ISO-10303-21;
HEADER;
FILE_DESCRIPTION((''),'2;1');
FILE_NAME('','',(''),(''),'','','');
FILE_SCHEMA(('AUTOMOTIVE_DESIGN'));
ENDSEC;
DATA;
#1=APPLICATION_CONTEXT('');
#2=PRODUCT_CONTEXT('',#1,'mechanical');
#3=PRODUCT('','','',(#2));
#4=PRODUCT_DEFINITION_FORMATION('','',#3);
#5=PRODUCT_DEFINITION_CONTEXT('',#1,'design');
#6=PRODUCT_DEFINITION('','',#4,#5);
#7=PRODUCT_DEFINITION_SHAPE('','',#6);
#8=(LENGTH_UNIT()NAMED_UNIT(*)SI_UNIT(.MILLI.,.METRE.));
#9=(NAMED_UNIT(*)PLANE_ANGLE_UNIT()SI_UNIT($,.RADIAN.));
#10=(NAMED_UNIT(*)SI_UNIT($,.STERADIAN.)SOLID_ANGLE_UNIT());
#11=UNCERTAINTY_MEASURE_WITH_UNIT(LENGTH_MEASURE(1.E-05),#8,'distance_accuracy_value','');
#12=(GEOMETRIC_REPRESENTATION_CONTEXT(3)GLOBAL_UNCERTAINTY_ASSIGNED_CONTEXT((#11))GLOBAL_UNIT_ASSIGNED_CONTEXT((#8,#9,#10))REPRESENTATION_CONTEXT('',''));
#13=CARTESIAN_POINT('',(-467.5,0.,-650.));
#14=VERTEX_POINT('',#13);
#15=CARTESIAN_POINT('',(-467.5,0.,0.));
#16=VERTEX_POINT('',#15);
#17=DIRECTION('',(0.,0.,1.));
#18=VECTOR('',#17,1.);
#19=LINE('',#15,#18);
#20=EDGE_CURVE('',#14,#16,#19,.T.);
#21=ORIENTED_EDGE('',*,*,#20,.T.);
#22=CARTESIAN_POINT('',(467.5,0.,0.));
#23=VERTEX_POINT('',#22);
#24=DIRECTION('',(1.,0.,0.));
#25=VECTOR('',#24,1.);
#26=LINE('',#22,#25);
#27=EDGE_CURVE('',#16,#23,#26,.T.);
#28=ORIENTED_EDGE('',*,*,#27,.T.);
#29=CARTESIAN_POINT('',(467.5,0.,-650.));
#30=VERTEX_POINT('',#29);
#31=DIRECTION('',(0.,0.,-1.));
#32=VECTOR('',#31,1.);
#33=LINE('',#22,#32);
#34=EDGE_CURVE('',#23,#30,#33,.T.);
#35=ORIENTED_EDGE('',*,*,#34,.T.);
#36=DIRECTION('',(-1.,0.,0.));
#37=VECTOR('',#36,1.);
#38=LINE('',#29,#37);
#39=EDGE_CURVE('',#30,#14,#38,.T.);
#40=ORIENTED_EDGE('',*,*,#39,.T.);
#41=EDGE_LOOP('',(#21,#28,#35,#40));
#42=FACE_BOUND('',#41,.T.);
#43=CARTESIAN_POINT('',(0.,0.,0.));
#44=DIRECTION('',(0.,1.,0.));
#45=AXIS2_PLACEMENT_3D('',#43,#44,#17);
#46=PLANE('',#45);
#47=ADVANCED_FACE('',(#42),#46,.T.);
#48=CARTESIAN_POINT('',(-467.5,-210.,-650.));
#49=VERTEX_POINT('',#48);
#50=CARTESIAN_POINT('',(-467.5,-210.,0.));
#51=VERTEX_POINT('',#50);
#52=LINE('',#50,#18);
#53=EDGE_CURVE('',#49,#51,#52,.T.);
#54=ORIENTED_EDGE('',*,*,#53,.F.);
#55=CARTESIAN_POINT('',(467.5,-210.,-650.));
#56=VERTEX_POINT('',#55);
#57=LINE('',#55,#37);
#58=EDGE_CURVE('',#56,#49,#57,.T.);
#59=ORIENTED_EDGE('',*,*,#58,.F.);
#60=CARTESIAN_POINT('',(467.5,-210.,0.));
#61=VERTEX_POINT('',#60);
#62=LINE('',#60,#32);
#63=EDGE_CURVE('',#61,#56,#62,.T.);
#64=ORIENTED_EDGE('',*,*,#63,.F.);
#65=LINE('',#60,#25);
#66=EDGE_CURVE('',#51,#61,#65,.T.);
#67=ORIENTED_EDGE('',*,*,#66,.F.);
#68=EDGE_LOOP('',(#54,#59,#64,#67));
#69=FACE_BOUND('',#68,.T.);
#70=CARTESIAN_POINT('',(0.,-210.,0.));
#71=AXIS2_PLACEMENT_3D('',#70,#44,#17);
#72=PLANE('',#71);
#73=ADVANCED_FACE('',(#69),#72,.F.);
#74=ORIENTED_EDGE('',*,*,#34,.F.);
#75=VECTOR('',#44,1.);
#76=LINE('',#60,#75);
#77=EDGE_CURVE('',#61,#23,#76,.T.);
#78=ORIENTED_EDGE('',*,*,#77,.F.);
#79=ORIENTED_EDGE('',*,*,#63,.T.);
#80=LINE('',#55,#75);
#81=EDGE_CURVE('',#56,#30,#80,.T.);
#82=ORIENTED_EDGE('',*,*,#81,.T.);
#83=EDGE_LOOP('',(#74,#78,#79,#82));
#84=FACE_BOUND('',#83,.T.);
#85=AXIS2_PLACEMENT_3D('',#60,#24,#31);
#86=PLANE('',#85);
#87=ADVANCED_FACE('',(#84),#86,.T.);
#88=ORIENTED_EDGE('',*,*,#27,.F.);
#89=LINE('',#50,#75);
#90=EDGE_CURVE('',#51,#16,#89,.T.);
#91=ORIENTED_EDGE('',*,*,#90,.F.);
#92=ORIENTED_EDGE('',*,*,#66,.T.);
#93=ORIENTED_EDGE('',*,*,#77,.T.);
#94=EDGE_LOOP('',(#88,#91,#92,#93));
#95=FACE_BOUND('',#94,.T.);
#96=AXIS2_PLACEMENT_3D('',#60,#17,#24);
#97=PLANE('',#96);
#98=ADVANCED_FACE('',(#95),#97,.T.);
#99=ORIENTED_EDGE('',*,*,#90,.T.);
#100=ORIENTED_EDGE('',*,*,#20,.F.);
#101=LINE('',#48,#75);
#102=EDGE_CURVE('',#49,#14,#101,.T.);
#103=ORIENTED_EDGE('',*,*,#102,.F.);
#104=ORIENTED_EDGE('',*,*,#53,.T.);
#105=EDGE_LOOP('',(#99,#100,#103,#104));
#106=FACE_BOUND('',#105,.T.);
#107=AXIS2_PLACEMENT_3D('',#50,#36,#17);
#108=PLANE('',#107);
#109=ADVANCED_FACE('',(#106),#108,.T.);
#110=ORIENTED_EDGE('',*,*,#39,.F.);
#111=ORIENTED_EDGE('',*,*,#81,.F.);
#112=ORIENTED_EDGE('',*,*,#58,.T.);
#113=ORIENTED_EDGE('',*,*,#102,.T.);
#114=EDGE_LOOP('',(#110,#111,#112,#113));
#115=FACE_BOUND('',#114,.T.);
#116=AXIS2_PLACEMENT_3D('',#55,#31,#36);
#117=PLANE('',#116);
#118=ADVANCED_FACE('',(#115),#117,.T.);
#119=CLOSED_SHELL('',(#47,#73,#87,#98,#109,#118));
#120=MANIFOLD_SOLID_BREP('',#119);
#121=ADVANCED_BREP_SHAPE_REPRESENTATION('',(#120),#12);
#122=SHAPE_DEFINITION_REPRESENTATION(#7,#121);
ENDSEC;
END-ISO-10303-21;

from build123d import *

# Parameters (mm, degrees)
SKETCH1_W           = 935
SKETCH1_H           = 650
BOSS_EXTRUDE1_DEPTH = 210


with BuildPart() as part:
    # Sketch1 → Boss-Extrude1 (new body)
    with BuildSketch(Plane(origin=(0, 0, 0), x_dir=(1, 0, 0), z_dir=(0, 1, 0))):
        with Locations((0, 325)):
            Rectangle(SKETCH1_W, SKETCH1_H)
    extrude(amount=-BOSS_EXTRUDE1_DEPTH)


solid = part.part
